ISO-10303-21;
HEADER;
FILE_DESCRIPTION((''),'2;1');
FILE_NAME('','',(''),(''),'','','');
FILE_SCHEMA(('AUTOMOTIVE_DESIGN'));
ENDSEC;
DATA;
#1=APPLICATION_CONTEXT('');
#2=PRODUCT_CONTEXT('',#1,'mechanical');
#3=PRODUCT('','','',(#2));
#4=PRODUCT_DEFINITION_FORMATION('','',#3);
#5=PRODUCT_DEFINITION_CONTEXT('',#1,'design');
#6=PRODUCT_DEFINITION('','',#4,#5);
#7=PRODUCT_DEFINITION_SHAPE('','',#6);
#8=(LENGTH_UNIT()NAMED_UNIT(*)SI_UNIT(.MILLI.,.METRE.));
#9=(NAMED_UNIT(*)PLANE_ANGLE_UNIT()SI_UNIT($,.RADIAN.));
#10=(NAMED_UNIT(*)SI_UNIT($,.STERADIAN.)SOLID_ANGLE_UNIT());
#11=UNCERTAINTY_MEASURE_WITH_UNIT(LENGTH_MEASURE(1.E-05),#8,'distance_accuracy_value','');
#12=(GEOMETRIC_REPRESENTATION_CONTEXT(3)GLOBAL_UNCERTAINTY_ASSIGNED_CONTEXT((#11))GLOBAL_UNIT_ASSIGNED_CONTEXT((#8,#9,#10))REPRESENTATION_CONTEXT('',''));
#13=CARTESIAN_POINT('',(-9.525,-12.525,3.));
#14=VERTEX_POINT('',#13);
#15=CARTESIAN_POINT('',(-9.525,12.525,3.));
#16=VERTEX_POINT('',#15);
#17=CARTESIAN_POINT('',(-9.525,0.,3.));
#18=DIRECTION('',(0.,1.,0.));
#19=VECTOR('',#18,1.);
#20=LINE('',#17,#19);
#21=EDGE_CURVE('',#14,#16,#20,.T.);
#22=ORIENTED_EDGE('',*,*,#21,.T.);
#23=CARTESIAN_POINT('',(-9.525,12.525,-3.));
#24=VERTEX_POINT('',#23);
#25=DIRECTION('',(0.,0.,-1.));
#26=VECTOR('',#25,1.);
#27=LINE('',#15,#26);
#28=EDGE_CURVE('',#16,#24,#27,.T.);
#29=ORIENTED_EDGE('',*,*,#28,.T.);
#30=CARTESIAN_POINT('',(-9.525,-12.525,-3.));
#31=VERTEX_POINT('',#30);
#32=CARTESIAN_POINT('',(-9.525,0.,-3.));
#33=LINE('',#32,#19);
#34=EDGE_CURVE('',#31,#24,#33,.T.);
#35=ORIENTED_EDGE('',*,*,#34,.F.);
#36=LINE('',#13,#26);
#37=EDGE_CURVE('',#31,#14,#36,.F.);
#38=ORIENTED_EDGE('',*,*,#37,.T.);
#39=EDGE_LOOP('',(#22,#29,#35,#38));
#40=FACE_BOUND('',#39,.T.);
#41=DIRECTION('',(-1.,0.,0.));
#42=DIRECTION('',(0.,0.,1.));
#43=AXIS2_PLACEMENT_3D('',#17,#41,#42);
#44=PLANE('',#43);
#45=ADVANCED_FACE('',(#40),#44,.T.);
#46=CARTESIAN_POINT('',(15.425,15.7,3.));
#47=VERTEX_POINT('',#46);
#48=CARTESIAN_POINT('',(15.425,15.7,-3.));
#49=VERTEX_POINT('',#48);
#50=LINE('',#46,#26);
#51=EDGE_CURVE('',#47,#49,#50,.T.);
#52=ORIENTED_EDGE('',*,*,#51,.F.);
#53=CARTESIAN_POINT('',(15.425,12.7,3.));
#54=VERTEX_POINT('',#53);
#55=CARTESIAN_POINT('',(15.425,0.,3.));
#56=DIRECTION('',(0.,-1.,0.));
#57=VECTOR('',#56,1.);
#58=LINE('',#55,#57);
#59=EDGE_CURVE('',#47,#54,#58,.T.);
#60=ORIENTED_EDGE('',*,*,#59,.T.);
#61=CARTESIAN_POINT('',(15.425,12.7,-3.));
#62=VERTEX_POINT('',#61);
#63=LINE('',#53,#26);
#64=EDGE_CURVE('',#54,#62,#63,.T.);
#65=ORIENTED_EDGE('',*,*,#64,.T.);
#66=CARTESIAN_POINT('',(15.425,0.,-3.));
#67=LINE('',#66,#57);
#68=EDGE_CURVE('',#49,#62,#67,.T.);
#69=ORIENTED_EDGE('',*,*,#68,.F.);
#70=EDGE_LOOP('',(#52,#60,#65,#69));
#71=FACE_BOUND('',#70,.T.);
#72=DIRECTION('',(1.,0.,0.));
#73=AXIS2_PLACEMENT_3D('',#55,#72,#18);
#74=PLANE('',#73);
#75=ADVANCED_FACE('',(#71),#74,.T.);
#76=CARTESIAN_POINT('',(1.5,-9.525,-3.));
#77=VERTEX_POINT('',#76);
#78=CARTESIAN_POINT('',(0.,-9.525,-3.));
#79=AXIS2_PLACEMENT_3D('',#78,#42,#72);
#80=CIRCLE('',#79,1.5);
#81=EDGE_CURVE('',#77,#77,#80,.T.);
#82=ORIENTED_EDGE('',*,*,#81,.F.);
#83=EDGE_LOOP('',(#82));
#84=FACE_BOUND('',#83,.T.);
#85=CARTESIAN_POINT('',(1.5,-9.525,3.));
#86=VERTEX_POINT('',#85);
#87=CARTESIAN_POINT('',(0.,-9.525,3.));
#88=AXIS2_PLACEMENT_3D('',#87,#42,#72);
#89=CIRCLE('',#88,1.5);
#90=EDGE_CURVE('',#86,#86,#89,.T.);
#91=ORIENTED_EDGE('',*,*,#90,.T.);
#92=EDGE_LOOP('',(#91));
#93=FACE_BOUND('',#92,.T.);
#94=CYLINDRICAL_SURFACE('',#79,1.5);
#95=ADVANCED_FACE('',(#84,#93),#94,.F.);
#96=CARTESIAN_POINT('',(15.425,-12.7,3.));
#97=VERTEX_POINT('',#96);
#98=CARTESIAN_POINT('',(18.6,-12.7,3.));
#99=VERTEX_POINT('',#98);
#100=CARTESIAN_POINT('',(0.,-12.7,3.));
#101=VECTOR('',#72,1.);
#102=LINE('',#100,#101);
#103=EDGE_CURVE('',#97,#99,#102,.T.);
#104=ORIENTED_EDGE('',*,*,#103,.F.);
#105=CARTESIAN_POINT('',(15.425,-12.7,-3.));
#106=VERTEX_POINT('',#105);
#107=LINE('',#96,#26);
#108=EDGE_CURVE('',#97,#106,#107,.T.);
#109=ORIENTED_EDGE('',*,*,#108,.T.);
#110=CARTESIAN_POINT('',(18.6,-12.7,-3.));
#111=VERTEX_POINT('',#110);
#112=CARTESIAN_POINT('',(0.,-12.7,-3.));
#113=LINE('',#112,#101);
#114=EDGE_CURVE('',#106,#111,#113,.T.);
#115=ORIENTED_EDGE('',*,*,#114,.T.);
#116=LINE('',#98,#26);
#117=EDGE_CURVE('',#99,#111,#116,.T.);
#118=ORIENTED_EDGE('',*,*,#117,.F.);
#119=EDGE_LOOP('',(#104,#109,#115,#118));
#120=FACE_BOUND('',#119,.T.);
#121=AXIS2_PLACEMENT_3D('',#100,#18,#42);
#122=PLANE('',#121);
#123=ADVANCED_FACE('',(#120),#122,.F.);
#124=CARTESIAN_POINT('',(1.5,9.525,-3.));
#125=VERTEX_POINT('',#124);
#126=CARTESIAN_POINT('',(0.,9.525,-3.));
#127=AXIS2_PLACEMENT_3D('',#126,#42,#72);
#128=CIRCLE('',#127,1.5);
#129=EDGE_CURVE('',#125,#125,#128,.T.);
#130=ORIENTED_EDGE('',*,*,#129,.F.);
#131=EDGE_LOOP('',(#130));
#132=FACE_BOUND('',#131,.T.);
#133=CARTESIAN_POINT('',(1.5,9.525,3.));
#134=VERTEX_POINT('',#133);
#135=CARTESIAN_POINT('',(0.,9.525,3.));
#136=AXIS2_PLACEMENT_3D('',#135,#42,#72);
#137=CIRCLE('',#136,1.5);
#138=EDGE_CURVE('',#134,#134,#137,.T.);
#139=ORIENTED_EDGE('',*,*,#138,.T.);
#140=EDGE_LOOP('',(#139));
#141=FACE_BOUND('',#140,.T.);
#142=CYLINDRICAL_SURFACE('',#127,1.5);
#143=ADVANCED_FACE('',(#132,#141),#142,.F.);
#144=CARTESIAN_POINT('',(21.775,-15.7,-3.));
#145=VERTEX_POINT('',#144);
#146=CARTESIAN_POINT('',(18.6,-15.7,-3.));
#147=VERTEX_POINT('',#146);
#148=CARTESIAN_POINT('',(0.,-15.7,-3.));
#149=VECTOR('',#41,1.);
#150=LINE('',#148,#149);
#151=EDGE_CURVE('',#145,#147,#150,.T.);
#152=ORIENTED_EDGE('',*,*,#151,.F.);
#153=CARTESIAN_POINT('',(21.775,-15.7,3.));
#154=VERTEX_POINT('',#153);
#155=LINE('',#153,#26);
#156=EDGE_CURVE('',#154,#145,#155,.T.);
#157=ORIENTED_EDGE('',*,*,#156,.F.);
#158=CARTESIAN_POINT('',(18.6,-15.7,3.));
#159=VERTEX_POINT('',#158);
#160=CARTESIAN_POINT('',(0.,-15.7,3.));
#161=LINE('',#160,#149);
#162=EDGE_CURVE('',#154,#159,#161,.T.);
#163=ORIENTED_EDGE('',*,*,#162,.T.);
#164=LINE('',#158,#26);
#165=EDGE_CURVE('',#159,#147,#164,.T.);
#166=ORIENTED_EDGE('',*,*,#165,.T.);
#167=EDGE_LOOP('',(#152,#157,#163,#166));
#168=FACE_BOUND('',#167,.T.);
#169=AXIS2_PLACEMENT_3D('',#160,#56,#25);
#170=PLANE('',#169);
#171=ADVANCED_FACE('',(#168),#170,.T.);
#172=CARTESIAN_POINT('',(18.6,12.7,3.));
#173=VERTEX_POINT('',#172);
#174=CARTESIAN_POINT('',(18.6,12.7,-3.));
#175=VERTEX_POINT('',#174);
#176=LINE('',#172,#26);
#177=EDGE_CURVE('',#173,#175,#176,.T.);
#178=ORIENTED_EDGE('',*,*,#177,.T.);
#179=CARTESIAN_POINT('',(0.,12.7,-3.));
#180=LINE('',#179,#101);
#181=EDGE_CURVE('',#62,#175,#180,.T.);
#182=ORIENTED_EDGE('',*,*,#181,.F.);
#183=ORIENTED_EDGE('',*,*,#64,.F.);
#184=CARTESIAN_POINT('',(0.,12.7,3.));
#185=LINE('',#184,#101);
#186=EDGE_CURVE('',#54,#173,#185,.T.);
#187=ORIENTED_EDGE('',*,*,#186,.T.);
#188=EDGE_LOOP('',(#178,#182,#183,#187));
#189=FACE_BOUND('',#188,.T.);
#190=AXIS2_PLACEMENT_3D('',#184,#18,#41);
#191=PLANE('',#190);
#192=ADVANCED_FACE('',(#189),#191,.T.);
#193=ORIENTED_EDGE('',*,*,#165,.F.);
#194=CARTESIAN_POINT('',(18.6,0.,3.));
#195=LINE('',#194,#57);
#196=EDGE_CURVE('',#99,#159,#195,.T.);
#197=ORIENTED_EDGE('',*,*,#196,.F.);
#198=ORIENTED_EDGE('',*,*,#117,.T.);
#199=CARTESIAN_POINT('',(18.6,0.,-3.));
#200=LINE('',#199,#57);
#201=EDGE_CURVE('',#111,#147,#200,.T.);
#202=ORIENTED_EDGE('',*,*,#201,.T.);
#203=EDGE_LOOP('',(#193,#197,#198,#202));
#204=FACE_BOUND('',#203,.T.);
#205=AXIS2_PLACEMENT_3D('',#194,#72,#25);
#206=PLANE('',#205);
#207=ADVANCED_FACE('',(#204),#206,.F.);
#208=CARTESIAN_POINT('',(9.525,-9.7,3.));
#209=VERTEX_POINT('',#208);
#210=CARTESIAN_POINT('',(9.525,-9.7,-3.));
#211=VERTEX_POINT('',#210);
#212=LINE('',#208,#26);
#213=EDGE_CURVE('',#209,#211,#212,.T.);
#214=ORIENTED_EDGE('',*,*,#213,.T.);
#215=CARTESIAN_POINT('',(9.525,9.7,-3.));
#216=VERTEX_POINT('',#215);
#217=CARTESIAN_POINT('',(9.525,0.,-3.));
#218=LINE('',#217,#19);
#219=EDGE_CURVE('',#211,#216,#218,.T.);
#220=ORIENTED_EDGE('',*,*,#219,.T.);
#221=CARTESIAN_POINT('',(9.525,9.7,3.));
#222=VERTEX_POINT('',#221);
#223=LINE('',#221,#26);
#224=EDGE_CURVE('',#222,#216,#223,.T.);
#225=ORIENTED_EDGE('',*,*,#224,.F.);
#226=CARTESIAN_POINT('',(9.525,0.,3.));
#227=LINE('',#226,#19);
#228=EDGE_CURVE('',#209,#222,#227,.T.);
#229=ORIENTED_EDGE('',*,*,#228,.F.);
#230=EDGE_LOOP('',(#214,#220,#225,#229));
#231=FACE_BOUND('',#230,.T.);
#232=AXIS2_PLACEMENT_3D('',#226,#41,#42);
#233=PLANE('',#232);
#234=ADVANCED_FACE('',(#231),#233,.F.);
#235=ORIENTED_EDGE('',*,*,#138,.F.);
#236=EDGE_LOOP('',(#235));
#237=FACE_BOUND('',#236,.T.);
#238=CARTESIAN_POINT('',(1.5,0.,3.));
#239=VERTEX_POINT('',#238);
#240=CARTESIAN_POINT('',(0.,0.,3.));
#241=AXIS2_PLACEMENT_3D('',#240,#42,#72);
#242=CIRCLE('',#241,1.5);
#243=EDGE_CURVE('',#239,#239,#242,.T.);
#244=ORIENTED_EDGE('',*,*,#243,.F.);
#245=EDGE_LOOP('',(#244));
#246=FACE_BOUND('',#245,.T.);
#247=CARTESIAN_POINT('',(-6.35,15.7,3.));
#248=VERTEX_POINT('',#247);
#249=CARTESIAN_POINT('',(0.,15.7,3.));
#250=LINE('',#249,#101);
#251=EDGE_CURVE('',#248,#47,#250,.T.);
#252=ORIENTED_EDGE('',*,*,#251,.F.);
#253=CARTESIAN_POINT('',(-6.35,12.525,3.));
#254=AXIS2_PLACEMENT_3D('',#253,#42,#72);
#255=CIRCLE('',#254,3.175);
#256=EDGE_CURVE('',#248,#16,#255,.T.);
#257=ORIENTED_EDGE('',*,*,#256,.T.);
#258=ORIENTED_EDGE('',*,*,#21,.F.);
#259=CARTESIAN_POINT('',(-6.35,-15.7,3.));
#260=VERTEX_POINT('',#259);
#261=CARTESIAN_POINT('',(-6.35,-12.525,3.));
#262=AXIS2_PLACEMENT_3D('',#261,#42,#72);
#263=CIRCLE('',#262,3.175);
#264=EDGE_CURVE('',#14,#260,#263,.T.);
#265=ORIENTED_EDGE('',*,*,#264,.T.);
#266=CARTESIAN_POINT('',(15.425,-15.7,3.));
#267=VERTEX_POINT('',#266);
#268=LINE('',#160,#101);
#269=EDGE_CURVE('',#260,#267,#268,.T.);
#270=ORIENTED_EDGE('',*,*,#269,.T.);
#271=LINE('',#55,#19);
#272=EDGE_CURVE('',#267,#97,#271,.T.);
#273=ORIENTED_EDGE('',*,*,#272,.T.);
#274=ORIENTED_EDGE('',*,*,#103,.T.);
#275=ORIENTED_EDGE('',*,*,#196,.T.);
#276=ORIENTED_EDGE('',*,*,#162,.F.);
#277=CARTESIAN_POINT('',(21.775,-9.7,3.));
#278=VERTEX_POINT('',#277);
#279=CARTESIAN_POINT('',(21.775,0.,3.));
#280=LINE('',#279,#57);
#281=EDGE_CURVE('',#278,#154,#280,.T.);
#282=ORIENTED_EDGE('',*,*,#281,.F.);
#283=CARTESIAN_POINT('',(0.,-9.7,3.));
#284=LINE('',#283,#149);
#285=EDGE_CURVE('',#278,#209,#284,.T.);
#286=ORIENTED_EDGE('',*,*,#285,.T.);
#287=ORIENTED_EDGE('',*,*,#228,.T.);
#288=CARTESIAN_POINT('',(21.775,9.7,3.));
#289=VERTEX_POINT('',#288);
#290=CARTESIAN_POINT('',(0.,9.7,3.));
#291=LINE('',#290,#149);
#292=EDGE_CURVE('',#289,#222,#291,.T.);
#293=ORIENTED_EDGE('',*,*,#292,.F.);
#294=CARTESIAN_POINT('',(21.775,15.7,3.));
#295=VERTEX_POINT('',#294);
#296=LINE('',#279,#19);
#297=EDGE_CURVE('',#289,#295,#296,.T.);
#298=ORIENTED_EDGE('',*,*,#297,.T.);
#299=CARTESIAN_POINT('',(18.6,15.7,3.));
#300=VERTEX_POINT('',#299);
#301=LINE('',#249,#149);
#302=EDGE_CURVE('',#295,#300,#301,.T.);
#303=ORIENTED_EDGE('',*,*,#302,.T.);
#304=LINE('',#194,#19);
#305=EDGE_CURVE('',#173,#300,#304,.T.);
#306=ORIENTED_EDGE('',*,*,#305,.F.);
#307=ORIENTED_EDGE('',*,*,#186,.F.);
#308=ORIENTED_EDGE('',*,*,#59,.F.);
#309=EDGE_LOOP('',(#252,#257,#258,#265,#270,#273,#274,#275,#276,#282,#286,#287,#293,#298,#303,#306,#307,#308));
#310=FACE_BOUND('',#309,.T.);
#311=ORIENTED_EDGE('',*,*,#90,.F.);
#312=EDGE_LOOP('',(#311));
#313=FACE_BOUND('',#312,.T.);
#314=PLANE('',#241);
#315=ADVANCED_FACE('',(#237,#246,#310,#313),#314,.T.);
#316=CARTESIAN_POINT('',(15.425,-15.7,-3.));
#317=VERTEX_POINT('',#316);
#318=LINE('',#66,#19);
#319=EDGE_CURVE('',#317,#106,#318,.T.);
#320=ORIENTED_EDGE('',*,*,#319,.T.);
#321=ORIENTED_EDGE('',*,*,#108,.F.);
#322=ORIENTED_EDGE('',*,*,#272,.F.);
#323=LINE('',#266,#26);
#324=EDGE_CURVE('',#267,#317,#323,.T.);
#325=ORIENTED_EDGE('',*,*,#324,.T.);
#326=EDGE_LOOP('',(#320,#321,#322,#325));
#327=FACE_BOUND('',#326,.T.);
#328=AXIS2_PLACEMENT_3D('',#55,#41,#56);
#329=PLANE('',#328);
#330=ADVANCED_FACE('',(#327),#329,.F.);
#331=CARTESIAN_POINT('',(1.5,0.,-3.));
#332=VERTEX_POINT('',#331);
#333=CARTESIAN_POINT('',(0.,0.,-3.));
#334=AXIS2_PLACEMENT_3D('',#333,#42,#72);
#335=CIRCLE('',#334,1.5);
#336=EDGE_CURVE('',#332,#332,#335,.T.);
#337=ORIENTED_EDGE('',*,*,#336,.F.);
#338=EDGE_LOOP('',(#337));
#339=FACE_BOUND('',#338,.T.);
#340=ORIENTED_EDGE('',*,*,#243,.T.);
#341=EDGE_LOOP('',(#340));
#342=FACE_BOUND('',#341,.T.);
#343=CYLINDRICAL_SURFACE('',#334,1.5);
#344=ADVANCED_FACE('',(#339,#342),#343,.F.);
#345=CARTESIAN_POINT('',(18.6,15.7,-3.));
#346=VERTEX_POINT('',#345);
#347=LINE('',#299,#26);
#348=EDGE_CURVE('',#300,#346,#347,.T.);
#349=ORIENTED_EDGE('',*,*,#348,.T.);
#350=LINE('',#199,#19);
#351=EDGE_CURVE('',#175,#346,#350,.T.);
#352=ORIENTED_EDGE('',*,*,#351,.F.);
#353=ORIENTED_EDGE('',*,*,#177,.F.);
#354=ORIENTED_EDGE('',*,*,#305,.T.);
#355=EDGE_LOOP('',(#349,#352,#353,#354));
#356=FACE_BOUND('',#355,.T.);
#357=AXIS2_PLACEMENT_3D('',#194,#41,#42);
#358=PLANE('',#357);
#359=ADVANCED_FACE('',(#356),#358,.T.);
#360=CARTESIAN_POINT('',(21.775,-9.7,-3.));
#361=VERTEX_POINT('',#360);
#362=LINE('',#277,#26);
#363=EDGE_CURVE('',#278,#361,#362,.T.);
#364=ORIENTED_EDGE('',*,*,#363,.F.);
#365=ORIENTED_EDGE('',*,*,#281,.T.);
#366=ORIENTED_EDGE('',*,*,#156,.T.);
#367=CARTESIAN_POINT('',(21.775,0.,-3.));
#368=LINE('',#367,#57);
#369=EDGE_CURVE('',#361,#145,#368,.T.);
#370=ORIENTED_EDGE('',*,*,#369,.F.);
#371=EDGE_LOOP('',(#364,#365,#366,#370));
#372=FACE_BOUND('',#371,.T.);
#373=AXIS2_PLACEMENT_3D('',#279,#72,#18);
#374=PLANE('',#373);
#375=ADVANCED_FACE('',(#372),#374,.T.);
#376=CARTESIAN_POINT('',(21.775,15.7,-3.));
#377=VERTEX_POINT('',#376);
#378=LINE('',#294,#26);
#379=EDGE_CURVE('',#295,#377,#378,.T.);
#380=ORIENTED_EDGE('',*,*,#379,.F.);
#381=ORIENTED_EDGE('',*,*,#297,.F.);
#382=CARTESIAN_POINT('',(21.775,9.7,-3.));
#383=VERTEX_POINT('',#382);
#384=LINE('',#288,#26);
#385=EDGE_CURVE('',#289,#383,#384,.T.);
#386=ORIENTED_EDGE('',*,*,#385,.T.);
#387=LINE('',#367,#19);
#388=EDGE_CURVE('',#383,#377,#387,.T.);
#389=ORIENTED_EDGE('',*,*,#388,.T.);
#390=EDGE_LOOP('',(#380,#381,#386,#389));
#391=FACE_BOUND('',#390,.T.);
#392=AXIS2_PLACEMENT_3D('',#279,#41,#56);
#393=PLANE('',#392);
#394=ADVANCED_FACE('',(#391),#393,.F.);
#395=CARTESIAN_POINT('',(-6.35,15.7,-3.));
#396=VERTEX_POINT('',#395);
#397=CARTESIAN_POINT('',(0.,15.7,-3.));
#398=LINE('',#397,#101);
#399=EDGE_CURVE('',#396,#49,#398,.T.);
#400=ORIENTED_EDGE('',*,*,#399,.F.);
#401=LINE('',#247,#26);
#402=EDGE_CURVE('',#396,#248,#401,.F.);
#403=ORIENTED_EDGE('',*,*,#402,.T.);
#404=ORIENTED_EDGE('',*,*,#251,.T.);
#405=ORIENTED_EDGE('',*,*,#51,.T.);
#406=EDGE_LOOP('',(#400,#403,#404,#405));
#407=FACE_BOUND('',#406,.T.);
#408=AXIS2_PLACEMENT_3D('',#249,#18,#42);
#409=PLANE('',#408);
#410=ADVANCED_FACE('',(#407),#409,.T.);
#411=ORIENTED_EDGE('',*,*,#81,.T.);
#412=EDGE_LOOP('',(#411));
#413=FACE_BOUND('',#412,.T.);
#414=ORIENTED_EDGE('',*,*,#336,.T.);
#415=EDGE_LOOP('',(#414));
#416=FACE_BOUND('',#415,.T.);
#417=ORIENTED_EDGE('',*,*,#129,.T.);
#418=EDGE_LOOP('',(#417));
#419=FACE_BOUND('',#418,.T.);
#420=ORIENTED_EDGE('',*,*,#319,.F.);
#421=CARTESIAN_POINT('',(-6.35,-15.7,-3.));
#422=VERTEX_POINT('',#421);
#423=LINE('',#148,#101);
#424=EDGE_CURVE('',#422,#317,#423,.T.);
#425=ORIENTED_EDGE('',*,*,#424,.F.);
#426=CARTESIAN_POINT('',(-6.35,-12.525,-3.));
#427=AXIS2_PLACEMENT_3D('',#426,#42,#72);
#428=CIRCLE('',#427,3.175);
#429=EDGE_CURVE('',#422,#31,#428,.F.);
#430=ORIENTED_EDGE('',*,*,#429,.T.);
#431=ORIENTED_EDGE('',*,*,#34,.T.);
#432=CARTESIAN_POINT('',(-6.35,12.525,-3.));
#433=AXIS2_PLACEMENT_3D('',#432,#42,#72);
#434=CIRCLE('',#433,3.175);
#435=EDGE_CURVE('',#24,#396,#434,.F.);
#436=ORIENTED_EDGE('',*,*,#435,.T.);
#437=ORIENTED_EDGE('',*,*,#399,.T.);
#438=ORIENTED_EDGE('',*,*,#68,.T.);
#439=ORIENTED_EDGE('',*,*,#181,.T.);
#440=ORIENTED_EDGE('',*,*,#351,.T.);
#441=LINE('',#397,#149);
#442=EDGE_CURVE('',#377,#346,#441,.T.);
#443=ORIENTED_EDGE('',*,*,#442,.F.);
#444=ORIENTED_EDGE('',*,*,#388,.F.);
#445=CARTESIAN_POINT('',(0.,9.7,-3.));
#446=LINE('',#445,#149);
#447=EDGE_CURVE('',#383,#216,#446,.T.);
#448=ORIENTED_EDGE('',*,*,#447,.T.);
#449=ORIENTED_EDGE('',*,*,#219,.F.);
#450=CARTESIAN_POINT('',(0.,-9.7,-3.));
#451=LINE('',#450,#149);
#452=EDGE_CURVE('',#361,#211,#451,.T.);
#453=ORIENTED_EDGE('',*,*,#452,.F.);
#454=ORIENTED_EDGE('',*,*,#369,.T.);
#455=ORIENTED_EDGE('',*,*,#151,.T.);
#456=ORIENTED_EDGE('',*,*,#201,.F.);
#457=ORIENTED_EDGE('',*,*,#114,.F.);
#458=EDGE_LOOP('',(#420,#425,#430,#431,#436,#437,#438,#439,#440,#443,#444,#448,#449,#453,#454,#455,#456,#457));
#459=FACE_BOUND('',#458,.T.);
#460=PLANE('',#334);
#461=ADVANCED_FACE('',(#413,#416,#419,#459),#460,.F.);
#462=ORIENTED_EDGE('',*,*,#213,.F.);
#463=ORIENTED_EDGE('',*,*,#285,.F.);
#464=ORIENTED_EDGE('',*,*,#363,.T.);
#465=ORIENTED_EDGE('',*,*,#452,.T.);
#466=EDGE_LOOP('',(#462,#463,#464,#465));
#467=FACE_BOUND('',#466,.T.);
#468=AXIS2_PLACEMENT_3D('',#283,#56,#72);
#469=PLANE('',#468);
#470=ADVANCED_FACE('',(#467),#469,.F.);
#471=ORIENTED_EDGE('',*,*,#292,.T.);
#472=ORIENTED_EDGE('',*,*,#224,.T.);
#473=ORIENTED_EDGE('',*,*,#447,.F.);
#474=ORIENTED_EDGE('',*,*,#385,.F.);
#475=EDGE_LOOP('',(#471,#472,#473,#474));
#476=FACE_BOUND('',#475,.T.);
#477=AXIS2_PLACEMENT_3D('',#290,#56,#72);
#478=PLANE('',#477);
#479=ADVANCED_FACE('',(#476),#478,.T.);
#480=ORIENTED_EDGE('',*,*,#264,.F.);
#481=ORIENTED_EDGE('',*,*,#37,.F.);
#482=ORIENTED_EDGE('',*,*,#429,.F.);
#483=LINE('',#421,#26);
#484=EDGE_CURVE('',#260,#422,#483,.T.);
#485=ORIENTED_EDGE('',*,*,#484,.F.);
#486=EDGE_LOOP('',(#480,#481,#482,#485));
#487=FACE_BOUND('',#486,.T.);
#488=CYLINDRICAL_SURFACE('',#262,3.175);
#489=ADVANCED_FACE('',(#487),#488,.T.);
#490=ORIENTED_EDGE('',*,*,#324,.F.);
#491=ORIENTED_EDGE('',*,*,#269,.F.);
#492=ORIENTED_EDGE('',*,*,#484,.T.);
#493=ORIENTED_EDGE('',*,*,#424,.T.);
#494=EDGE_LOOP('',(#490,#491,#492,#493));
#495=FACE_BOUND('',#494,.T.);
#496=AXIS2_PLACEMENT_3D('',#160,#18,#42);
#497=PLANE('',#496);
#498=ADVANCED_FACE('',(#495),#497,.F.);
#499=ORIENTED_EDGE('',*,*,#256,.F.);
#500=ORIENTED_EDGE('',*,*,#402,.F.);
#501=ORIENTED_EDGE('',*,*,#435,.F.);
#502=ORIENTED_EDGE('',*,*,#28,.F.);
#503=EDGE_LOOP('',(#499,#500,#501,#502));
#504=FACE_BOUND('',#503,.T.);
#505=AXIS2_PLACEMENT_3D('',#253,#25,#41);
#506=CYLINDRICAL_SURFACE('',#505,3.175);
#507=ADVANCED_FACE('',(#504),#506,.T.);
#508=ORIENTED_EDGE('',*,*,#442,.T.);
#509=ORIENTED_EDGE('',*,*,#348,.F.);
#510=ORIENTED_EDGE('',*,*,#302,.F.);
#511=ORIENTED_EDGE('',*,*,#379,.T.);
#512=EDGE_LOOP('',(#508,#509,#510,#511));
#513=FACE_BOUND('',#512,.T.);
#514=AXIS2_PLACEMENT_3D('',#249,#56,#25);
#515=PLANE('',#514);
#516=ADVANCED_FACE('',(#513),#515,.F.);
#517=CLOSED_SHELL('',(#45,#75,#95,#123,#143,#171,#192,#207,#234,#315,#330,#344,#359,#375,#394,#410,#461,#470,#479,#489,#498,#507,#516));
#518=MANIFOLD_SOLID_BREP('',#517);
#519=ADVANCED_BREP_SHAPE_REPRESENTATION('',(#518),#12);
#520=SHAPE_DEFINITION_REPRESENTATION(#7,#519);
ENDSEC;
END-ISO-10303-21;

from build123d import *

# Parameters (mm, degrees)
SKETCH1_W               = 19.05
SKETCH1_H               = 31.399999938
BOSS_EXTRUDE1_DEPTH     = 3
FILLET1_R               = 3.175
CUT_EXTRUDE1_DEPTH      = 28.507101338
CUT_EXTRUDE1_DEPTH_BACK = 28.507101338
SKETCH2_R               = 1.5


with BuildPart() as part:
    # Sketch1 → Boss-Extrude1 (new, symmetric)
    with BuildSketch(Plane.XY):
        Rectangle(SKETCH1_W, SKETCH1_H)
        Polygon((9.525, 15.699999969), (9.525, 9.699999969), (21.775, 9.699999969), (21.775, 15.699999969), (18.6, 15.699999969), (18.6, 12.699999969), (15.425, 12.699999969), (15.425, 15.699999969), align=None)
        Polygon((9.525, -15.699999969), (15.425, -15.699999969), (15.425, -12.699999969), (18.6, -12.699999969), (18.6, -15.699999969), (21.775, -15.699999969), (21.775, -9.699999969), (9.525, -9.699999969), align=None)
    extrude(amount=BOSS_EXTRUDE1_DEPTH, both=True)

    # Fillet1
    fillet1_edges = [part.edges().sort_by_distance(p)[0] for p in [
        (-9.525, -15.699999969, 0),
        (-9.525, 15.699999969, 0),
    ]]
    fillet(fillet1_edges, radius=FILLET1_R)

    # Sketch2 → Cut-Extrude1 (cut, two sides: drawn at the far end of the back side and taken through both)
    with BuildSketch(Plane.XY.offset(3).offset(-CUT_EXTRUDE1_DEPTH_BACK)):
        with Locations((0, 9.525)):
            Circle(SKETCH2_R)
        with Locations((0, -9.525)):
            Circle(SKETCH2_R)
        Circle(SKETCH2_R)
    extrude(amount=CUT_EXTRUDE1_DEPTH + CUT_EXTRUDE1_DEPTH_BACK, mode=Mode.SUBTRACT)


solid = part.part
